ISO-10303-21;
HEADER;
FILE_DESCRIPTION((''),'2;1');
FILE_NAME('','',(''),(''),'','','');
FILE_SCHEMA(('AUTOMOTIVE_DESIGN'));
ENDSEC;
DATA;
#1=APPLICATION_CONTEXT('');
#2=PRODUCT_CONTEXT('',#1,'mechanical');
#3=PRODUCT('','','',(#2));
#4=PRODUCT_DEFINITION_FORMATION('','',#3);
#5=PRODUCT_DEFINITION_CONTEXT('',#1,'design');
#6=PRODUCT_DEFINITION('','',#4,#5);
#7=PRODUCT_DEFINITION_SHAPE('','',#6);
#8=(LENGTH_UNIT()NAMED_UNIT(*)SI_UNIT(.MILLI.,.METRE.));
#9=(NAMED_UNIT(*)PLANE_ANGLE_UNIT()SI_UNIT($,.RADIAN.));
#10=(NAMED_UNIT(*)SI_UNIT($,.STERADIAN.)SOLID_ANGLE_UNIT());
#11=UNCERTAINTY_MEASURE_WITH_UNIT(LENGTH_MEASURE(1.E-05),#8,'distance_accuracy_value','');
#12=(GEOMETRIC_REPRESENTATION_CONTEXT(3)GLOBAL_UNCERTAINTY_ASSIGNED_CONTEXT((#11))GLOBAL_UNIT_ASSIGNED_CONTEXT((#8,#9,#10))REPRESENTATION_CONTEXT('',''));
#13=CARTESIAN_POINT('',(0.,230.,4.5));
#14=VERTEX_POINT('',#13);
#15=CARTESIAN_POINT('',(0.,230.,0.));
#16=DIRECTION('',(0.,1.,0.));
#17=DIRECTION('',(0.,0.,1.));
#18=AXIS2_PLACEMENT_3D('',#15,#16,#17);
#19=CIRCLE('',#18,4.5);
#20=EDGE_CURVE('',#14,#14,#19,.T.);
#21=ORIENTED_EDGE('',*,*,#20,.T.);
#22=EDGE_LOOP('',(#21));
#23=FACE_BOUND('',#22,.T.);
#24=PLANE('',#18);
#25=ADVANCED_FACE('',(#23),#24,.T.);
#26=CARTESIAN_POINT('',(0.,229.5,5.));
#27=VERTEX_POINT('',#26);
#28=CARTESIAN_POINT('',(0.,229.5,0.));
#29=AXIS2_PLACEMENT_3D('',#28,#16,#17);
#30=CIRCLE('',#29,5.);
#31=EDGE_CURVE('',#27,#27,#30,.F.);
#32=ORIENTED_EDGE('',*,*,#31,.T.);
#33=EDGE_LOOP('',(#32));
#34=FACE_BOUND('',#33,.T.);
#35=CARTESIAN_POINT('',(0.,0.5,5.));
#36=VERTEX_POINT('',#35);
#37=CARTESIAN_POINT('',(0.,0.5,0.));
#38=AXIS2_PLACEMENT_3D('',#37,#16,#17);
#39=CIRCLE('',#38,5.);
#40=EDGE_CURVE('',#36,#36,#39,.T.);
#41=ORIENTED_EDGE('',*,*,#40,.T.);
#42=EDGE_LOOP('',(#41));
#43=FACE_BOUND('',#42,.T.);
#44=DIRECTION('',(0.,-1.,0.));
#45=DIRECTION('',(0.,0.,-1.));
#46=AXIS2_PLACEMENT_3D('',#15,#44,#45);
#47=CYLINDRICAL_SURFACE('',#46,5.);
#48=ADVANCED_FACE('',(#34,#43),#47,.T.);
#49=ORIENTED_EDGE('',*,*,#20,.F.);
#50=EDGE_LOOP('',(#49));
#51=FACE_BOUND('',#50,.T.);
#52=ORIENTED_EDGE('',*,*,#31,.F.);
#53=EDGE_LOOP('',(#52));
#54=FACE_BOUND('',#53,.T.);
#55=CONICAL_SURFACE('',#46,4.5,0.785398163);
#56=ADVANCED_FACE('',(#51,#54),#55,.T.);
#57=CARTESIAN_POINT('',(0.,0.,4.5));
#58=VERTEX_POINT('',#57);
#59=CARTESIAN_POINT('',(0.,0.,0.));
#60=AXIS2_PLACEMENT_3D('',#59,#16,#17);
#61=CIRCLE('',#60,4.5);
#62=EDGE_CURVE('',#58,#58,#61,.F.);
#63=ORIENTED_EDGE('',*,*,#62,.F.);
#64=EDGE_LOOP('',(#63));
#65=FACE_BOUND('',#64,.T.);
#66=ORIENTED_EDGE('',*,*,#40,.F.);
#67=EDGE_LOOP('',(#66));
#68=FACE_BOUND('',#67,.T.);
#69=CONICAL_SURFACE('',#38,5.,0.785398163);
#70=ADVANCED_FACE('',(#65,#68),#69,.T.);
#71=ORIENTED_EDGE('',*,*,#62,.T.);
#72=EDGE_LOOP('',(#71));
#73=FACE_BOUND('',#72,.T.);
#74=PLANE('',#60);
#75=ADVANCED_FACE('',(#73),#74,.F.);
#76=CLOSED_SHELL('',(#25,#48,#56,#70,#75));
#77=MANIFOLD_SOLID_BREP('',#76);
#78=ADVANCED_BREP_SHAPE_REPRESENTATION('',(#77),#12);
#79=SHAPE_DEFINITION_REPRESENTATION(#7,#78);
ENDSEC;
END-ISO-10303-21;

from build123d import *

# Parameters (mm, degrees)
SKETCH1_R           = 5
BOSS_EXTRUDE1_DEPTH = 230
CHAMFER1_SIZE       = 0.5


with BuildPart() as part:
    # Sketch1 → Boss-Extrude1 (new body)
    with BuildSketch(Plane(origin=(0, 0, 0), x_dir=(1, 0, 0), z_dir=(0, 1, 0))):
        Circle(SKETCH1_R)
    extrude(amount=BOSS_EXTRUDE1_DEPTH)

    # Chamfer1
    chamfer1_edges = [part.edges().sort_by_distance(p)[0] for p in [
        (-5, 0, 0),
        (-5, 230, 0),
    ]]
    chamfer(chamfer1_edges, length=CHAMFER1_SIZE)


solid = part.part
